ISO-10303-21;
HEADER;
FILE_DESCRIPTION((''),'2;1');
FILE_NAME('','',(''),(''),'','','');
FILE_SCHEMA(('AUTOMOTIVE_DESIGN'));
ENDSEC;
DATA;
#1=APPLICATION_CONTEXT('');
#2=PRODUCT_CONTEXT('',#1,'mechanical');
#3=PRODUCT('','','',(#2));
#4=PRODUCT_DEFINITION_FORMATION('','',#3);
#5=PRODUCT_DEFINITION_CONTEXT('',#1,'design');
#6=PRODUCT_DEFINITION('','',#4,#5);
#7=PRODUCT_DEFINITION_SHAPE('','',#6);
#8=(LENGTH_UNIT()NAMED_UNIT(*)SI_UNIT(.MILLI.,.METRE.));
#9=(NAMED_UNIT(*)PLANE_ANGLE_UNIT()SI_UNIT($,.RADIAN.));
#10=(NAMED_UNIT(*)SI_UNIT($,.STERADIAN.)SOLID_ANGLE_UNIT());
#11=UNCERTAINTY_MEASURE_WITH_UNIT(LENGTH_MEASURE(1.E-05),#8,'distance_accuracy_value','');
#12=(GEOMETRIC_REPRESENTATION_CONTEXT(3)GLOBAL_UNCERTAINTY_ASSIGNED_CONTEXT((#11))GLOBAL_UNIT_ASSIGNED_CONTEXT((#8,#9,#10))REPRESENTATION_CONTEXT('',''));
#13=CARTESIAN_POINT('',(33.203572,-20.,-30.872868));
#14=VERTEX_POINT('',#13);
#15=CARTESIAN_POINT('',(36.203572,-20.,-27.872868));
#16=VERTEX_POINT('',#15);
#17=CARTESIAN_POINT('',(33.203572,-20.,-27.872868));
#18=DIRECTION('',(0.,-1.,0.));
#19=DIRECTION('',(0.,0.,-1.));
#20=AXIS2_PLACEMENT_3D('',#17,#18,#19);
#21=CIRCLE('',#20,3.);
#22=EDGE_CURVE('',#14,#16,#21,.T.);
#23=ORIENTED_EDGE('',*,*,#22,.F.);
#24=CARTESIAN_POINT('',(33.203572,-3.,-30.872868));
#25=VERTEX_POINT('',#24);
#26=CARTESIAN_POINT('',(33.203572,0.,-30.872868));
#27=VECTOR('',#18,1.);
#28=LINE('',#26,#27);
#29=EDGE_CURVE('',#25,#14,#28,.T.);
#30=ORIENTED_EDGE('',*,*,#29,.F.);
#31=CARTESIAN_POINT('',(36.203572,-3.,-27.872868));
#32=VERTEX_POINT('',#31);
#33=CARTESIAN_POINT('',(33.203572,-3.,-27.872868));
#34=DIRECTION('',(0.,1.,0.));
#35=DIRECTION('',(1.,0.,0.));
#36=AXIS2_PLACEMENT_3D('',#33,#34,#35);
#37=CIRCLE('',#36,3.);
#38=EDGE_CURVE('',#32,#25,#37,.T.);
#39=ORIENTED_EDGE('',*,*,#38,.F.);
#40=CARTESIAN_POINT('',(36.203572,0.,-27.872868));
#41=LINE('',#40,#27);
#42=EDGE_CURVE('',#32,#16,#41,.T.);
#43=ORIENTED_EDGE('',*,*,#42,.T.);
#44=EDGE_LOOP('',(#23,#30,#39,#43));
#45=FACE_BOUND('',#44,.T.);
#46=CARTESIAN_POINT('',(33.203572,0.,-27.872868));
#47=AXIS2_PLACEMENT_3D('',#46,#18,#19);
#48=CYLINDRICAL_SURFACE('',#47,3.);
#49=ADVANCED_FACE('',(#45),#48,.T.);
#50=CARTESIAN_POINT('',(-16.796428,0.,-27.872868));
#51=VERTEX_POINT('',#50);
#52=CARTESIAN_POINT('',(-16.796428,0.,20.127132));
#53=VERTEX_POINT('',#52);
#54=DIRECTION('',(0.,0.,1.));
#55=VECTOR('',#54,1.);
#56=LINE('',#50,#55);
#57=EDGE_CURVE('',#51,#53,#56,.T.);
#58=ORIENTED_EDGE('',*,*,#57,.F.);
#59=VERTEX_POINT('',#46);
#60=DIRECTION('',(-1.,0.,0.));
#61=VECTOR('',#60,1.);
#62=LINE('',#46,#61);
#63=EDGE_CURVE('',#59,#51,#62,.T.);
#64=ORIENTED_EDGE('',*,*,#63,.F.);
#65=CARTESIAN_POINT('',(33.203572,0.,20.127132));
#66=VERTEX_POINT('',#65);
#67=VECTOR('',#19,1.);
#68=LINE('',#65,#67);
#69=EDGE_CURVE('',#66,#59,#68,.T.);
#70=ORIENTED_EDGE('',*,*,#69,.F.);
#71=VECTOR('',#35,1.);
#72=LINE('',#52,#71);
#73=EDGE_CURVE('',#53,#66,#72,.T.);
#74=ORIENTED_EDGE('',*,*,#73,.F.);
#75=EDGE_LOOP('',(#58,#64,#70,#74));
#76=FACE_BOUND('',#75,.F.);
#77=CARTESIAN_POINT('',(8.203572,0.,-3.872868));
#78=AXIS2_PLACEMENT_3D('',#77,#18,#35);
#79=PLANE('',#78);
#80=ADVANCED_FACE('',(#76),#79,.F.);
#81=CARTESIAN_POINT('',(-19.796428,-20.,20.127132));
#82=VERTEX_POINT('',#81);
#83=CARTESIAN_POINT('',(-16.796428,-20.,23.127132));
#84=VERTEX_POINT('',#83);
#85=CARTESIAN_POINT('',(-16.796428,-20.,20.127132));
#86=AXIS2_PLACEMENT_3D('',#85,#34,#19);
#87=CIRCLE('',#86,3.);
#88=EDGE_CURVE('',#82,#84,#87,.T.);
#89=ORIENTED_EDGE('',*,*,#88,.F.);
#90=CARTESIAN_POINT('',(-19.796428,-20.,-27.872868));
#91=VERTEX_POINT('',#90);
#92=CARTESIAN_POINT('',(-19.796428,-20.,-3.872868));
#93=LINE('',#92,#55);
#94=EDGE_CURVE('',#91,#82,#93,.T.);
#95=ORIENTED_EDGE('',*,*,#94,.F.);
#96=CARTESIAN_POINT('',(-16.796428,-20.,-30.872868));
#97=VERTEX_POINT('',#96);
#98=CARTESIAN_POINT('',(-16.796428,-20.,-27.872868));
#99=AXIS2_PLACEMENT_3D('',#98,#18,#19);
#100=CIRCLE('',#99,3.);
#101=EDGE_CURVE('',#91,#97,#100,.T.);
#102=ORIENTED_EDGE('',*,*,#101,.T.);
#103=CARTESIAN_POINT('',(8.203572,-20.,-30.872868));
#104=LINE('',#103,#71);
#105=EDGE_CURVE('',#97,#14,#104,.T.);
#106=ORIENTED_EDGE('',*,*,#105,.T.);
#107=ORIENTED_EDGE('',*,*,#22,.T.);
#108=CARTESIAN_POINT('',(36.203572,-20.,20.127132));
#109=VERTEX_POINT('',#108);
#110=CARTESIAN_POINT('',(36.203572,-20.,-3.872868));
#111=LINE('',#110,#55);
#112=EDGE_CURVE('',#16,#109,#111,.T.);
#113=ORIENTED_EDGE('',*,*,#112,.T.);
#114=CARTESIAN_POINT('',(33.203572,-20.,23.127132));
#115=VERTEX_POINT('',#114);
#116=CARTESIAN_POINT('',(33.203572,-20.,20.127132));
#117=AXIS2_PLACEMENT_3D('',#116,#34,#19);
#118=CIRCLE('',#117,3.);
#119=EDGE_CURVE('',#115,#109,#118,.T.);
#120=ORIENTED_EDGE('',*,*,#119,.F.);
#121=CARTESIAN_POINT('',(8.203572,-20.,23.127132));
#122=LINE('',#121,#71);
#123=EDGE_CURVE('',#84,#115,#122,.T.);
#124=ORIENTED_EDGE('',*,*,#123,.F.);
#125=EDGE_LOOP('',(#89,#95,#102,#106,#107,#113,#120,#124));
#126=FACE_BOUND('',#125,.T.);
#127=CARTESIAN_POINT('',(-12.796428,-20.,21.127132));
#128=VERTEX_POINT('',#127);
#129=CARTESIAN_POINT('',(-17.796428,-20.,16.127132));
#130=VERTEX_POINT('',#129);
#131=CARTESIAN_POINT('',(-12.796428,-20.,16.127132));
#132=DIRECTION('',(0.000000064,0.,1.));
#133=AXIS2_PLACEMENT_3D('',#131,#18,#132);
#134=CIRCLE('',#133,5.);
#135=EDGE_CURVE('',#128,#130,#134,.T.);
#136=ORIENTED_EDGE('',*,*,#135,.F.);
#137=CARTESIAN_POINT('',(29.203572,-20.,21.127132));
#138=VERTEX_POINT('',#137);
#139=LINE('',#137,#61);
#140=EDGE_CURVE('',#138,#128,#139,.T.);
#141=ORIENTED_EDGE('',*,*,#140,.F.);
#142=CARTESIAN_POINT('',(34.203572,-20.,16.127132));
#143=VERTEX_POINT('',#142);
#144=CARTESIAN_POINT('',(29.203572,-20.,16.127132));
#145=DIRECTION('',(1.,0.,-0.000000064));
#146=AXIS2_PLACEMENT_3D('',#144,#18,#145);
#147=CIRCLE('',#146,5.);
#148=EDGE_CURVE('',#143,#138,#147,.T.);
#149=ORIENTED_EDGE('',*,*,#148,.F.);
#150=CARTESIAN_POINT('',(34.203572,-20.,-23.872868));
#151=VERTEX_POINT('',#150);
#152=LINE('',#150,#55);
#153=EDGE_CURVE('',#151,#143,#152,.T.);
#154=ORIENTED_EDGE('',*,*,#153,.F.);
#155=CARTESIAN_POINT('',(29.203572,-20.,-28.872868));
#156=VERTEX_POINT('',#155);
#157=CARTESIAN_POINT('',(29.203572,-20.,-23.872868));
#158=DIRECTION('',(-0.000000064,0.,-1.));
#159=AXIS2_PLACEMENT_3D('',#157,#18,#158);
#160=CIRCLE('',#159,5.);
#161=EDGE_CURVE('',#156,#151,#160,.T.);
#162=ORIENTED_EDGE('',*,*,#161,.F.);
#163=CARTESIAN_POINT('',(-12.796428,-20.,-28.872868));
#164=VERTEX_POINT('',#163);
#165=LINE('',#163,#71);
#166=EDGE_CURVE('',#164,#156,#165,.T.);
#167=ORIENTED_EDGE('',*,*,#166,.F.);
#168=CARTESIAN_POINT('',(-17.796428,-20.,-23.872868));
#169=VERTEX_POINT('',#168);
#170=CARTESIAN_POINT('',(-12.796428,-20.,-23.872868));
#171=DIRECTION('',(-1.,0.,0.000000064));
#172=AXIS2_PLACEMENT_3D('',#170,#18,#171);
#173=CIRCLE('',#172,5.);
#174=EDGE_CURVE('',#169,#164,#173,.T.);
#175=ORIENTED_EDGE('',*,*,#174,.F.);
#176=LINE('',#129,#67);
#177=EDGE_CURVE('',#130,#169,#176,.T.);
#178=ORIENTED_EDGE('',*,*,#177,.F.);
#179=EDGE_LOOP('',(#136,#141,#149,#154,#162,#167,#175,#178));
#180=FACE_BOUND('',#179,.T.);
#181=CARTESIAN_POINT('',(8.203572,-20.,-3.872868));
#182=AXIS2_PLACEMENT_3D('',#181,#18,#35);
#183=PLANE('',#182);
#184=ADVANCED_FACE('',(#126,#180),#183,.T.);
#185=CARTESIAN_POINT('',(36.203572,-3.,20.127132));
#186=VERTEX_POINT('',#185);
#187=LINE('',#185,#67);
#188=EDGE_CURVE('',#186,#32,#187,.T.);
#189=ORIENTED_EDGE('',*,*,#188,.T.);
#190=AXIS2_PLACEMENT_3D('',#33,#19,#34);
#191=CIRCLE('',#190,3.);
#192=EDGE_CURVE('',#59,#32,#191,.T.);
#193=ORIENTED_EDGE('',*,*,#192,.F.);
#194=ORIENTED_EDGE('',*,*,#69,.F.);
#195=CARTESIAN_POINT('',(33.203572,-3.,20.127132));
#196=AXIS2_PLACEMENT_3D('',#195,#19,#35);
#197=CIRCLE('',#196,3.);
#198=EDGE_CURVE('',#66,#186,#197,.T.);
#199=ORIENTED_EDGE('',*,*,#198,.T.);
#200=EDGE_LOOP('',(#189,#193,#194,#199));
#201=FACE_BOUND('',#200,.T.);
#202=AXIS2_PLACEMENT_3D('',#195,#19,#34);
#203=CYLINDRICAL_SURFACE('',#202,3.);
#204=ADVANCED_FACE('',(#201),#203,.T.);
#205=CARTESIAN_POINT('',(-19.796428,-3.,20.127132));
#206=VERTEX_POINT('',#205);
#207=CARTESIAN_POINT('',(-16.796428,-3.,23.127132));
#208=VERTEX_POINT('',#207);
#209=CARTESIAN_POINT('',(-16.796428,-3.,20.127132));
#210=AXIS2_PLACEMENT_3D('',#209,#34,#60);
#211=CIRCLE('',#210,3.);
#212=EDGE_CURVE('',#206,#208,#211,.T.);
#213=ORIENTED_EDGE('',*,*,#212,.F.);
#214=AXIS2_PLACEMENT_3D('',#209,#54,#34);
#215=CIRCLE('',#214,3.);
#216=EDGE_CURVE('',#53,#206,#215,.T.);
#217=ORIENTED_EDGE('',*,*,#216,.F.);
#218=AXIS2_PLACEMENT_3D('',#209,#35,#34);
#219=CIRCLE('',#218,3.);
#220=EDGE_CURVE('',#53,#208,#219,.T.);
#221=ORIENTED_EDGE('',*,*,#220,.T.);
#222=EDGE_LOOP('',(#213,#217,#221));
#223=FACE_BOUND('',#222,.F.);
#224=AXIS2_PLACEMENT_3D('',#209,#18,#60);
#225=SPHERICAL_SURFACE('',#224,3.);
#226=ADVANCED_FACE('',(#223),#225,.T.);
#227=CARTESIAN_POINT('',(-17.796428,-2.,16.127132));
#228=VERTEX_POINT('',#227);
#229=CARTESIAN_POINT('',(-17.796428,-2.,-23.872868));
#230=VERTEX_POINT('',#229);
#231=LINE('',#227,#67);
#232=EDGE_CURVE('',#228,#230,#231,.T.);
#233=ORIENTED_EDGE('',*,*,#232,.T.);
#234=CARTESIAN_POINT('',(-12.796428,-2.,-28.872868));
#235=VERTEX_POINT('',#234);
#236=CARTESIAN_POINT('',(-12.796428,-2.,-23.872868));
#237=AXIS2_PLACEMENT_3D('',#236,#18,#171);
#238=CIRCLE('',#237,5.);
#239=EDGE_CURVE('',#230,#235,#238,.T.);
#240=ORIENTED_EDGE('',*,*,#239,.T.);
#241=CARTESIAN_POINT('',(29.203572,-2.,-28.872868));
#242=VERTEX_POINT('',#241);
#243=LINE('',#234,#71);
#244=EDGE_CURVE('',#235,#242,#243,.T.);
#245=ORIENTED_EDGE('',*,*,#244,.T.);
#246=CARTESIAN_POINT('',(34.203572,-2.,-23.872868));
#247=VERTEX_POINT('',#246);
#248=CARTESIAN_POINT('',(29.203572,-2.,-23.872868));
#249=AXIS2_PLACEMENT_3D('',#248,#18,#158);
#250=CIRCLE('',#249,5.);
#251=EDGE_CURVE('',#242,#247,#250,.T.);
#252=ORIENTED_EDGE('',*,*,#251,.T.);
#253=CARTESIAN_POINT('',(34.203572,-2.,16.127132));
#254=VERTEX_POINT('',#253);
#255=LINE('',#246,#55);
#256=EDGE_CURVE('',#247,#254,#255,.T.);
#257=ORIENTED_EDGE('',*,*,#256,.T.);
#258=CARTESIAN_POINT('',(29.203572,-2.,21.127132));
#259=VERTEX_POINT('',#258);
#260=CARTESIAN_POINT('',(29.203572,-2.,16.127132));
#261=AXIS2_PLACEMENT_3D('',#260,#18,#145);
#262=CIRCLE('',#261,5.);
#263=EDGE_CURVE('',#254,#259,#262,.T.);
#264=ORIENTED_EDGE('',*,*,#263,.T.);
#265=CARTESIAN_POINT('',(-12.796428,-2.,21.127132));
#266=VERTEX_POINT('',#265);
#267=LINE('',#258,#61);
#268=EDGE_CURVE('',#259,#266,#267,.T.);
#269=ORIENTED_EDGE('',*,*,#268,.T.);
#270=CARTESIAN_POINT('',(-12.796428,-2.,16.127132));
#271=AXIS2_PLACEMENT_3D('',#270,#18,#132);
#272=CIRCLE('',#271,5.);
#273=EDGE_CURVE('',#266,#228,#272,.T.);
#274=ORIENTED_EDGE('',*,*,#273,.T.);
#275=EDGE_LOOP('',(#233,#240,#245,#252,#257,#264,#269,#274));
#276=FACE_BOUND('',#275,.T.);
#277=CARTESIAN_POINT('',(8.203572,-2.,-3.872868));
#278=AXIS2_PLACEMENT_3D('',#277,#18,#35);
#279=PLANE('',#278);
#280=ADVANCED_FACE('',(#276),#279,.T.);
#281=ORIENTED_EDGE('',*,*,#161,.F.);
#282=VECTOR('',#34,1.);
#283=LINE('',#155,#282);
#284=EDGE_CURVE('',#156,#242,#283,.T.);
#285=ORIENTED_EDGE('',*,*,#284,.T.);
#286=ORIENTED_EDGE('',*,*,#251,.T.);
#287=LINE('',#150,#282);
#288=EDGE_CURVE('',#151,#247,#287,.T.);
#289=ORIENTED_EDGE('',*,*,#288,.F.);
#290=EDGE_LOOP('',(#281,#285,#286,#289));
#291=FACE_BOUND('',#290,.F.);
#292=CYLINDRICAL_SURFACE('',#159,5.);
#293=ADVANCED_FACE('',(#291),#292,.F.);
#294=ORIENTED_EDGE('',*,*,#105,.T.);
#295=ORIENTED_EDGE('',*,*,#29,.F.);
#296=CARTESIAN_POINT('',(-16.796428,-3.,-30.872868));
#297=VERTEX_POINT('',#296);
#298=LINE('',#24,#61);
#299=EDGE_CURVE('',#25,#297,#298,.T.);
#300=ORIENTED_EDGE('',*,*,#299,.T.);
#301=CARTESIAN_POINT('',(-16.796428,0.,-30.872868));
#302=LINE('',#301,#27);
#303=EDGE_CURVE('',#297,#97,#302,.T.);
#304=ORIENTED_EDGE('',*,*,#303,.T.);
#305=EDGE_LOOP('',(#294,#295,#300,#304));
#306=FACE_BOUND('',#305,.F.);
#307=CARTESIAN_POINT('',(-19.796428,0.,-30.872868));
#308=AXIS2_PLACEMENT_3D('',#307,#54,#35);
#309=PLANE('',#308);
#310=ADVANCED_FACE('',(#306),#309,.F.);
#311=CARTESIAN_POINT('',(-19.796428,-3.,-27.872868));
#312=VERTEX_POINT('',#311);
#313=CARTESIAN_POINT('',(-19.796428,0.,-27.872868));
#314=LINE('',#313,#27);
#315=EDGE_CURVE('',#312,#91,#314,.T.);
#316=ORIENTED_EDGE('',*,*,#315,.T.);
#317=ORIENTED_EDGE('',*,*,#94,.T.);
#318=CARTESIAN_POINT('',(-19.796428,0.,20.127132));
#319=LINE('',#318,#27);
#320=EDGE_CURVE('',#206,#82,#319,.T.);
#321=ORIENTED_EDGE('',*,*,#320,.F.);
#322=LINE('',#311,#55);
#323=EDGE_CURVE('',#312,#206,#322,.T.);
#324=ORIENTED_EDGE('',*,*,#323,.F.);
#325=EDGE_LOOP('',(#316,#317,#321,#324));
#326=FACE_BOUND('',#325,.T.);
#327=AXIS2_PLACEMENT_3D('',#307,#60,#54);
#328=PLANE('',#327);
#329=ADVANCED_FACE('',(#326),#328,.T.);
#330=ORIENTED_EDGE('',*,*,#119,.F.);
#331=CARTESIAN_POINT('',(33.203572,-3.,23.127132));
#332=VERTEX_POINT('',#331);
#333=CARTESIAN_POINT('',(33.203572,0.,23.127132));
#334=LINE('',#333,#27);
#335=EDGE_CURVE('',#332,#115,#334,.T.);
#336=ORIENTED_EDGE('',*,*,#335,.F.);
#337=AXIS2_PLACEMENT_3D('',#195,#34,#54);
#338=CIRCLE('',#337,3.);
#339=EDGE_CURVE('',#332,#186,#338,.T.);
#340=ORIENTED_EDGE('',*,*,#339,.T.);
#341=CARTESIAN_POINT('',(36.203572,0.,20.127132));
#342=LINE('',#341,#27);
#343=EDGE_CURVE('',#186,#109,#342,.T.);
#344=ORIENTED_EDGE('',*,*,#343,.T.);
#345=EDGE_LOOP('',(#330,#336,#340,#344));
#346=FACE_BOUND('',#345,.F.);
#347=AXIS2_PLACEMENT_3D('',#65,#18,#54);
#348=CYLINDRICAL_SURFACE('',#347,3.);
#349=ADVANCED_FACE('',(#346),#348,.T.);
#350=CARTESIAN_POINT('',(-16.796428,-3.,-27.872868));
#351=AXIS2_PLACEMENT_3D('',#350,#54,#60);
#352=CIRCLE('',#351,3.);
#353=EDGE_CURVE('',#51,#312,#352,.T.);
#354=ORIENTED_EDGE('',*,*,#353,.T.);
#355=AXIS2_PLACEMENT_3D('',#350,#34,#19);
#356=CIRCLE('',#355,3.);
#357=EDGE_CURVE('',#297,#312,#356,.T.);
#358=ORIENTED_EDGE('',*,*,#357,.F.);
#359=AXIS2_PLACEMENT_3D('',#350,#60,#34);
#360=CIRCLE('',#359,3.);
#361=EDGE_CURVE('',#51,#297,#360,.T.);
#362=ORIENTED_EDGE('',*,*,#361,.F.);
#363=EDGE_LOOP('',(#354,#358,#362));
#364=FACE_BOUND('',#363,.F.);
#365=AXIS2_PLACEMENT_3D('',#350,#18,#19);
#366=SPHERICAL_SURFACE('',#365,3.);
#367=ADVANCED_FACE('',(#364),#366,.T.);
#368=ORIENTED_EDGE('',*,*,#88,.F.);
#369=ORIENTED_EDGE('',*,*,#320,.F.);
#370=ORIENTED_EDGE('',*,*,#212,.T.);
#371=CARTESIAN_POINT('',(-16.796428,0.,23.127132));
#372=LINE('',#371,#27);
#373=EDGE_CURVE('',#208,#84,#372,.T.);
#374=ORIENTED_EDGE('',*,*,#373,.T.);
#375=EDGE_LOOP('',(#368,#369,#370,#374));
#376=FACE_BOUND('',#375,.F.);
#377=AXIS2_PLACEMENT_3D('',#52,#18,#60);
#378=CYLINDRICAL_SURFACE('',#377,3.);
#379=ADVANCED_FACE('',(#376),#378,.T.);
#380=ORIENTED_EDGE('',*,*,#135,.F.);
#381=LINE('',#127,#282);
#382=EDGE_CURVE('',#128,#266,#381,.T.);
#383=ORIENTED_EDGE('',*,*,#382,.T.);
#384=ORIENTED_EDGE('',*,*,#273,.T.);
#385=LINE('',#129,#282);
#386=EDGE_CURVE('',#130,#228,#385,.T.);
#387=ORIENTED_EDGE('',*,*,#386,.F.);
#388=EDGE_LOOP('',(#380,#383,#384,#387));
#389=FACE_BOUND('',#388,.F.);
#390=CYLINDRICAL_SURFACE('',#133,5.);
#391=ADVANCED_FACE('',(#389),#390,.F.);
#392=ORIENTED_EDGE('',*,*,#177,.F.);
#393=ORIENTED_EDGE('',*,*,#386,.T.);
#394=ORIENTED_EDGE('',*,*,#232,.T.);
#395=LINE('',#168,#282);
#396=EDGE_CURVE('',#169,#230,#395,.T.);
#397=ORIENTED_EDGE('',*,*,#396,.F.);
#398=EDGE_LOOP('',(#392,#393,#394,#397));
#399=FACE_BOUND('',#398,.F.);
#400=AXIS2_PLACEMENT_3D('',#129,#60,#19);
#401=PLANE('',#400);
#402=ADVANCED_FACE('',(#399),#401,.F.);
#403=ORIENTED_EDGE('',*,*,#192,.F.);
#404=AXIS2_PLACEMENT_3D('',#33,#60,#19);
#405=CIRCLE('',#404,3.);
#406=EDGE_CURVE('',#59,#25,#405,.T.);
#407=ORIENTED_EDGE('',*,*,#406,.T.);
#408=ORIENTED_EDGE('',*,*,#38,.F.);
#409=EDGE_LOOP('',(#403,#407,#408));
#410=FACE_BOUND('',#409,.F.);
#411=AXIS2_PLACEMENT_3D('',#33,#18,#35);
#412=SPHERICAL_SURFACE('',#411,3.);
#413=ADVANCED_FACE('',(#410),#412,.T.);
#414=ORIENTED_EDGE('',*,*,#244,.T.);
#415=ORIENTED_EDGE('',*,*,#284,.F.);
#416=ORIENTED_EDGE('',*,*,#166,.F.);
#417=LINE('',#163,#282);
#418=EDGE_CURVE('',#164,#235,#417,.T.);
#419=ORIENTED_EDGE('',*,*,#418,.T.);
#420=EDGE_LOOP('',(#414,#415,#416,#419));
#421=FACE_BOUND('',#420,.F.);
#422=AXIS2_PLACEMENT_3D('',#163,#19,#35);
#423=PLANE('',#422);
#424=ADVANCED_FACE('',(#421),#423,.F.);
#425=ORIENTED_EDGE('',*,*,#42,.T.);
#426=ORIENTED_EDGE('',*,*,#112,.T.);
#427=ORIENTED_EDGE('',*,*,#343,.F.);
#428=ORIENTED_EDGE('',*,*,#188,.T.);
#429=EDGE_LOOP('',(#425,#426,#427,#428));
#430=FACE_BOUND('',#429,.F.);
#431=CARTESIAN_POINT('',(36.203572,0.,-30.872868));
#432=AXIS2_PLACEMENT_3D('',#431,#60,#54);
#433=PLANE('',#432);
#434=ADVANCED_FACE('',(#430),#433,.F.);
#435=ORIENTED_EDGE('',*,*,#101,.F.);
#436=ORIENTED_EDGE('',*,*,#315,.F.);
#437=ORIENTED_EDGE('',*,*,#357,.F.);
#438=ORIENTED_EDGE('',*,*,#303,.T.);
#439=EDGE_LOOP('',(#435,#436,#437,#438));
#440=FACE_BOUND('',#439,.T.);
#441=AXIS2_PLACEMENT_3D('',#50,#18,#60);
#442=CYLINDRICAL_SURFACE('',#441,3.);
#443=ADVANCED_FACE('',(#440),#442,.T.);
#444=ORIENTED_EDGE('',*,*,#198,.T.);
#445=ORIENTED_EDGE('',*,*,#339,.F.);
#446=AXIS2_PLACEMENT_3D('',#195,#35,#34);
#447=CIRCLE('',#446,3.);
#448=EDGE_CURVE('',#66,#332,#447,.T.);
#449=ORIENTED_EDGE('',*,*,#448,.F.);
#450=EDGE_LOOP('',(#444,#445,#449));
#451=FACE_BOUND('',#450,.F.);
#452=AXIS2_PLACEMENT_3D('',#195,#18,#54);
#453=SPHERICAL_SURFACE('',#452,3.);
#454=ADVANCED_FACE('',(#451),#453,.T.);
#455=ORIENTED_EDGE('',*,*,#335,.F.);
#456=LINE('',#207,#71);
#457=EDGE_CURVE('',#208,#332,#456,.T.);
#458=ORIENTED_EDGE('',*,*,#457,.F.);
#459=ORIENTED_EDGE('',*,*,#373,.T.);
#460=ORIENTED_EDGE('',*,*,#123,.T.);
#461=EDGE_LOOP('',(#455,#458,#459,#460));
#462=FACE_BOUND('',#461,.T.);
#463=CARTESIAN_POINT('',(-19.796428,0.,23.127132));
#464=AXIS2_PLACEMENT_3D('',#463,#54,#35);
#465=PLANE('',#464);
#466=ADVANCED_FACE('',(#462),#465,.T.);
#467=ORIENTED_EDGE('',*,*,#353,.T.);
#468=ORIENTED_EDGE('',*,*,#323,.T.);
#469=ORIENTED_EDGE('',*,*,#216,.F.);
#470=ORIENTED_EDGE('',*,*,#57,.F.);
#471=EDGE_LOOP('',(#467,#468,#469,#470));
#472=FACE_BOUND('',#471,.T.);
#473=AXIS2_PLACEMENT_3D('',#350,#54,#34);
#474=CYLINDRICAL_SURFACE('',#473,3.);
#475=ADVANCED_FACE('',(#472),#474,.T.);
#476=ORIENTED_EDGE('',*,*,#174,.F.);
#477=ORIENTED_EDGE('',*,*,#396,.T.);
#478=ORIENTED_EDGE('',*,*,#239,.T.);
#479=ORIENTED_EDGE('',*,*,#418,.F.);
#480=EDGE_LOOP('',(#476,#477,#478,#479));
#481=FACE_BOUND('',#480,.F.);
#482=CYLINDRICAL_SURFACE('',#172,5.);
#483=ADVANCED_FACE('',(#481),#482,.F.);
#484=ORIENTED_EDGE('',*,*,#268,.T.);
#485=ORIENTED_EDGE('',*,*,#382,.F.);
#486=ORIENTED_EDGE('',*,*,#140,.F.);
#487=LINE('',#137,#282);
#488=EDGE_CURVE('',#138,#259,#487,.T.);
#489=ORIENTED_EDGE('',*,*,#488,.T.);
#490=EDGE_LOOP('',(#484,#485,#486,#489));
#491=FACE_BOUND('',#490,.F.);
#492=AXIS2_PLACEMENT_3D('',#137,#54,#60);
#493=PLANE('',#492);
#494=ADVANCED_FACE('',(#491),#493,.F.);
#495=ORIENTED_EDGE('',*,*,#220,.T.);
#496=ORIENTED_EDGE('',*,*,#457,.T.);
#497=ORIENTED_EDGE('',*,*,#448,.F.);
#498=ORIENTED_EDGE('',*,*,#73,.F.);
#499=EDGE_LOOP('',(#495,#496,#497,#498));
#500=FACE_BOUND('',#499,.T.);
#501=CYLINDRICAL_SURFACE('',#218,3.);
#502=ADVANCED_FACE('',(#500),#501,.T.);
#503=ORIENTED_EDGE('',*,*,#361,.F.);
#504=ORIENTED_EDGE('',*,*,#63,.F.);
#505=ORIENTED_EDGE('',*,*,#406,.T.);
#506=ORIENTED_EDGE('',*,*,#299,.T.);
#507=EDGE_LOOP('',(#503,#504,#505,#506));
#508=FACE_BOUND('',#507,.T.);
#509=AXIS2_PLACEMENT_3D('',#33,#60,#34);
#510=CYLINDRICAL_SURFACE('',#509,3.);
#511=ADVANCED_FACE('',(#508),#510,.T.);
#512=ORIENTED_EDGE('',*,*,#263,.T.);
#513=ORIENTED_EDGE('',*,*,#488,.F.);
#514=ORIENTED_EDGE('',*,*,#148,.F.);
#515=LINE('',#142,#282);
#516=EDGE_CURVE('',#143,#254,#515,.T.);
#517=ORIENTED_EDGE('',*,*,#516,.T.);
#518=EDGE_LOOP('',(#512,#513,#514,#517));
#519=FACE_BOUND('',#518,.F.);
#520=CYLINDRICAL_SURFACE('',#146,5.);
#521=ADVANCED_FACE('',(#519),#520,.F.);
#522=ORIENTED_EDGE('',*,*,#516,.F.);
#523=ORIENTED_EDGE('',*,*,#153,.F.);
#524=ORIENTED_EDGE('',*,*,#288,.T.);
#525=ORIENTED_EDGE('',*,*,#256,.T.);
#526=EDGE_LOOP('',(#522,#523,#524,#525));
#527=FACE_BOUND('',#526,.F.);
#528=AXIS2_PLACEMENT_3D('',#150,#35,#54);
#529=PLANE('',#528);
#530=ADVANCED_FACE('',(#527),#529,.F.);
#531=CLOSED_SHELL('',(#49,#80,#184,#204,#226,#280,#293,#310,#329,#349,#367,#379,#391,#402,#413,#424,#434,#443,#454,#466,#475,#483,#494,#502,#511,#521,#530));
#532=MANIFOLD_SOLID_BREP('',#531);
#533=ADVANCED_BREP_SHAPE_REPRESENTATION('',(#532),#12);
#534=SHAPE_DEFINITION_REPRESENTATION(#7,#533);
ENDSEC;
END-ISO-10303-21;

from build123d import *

# Parameters (mm, degrees)
F0_W     = 56
F0_H     = 54
F1_DEPTH = 20
F3_DEPTH = 18
F4_R     = 3
F5_R     = 3


with BuildPart() as f1:
    # F0 (on Front) → F1 (new body)
    with BuildSketch(Plane.XZ):
        with Locations((8.203572, -3.872868)):
            Rectangle(F0_W, F0_H)
    extrude(amount=F1_DEPTH)

    # F2 (on face) → F3 (cut)
    with BuildSketch(Plane.XZ.offset(20)):
        with BuildLine():
            Line((29.203572, 21.127132), (-12.796428, 21.127132))
            ThreePointArc((-12.796428, 21.127132), (-16.331962, 19.662666), (-17.796428, 16.127132))
            Line((-17.796428, 16.127132), (-17.796428, -23.872868))
            ThreePointArc((-17.796428, -23.872868), (-16.331962, -27.408402), (-12.796428, -28.872868))
            Line((-12.796428, -28.872868), (29.203572, -28.872868))
            ThreePointArc((29.203572, -28.872868), (32.739106, -27.408402), (34.203572, -23.872868))
            Line((34.203572, -23.872868), (34.203572, 16.127132))
            ThreePointArc((34.203572, 16.127132), (32.739106, 19.662666), (29.203572, 21.127132))
        make_face()
    extrude(amount=-F3_DEPTH, mode=Mode.SUBTRACT)

    # F4
    f4_edges = [f1.edges().sort_by_distance(p)[0] for p in [
        (36.203572, -10, 23.127132),
        (-19.796428, -10, 23.127132),
        (36.203572, -10, -30.872868),
        (-19.796428, -10, -30.872868),
    ]]
    fillet(f4_edges, radius=F4_R)

    # F5
    f5_edges = [f1.edges().sort_by_distance(p)[0] for p in [
        (8.203572, 0, 23.127132),
    ]]
    fillet(f5_edges, radius=F5_R)


solid = f1.part
